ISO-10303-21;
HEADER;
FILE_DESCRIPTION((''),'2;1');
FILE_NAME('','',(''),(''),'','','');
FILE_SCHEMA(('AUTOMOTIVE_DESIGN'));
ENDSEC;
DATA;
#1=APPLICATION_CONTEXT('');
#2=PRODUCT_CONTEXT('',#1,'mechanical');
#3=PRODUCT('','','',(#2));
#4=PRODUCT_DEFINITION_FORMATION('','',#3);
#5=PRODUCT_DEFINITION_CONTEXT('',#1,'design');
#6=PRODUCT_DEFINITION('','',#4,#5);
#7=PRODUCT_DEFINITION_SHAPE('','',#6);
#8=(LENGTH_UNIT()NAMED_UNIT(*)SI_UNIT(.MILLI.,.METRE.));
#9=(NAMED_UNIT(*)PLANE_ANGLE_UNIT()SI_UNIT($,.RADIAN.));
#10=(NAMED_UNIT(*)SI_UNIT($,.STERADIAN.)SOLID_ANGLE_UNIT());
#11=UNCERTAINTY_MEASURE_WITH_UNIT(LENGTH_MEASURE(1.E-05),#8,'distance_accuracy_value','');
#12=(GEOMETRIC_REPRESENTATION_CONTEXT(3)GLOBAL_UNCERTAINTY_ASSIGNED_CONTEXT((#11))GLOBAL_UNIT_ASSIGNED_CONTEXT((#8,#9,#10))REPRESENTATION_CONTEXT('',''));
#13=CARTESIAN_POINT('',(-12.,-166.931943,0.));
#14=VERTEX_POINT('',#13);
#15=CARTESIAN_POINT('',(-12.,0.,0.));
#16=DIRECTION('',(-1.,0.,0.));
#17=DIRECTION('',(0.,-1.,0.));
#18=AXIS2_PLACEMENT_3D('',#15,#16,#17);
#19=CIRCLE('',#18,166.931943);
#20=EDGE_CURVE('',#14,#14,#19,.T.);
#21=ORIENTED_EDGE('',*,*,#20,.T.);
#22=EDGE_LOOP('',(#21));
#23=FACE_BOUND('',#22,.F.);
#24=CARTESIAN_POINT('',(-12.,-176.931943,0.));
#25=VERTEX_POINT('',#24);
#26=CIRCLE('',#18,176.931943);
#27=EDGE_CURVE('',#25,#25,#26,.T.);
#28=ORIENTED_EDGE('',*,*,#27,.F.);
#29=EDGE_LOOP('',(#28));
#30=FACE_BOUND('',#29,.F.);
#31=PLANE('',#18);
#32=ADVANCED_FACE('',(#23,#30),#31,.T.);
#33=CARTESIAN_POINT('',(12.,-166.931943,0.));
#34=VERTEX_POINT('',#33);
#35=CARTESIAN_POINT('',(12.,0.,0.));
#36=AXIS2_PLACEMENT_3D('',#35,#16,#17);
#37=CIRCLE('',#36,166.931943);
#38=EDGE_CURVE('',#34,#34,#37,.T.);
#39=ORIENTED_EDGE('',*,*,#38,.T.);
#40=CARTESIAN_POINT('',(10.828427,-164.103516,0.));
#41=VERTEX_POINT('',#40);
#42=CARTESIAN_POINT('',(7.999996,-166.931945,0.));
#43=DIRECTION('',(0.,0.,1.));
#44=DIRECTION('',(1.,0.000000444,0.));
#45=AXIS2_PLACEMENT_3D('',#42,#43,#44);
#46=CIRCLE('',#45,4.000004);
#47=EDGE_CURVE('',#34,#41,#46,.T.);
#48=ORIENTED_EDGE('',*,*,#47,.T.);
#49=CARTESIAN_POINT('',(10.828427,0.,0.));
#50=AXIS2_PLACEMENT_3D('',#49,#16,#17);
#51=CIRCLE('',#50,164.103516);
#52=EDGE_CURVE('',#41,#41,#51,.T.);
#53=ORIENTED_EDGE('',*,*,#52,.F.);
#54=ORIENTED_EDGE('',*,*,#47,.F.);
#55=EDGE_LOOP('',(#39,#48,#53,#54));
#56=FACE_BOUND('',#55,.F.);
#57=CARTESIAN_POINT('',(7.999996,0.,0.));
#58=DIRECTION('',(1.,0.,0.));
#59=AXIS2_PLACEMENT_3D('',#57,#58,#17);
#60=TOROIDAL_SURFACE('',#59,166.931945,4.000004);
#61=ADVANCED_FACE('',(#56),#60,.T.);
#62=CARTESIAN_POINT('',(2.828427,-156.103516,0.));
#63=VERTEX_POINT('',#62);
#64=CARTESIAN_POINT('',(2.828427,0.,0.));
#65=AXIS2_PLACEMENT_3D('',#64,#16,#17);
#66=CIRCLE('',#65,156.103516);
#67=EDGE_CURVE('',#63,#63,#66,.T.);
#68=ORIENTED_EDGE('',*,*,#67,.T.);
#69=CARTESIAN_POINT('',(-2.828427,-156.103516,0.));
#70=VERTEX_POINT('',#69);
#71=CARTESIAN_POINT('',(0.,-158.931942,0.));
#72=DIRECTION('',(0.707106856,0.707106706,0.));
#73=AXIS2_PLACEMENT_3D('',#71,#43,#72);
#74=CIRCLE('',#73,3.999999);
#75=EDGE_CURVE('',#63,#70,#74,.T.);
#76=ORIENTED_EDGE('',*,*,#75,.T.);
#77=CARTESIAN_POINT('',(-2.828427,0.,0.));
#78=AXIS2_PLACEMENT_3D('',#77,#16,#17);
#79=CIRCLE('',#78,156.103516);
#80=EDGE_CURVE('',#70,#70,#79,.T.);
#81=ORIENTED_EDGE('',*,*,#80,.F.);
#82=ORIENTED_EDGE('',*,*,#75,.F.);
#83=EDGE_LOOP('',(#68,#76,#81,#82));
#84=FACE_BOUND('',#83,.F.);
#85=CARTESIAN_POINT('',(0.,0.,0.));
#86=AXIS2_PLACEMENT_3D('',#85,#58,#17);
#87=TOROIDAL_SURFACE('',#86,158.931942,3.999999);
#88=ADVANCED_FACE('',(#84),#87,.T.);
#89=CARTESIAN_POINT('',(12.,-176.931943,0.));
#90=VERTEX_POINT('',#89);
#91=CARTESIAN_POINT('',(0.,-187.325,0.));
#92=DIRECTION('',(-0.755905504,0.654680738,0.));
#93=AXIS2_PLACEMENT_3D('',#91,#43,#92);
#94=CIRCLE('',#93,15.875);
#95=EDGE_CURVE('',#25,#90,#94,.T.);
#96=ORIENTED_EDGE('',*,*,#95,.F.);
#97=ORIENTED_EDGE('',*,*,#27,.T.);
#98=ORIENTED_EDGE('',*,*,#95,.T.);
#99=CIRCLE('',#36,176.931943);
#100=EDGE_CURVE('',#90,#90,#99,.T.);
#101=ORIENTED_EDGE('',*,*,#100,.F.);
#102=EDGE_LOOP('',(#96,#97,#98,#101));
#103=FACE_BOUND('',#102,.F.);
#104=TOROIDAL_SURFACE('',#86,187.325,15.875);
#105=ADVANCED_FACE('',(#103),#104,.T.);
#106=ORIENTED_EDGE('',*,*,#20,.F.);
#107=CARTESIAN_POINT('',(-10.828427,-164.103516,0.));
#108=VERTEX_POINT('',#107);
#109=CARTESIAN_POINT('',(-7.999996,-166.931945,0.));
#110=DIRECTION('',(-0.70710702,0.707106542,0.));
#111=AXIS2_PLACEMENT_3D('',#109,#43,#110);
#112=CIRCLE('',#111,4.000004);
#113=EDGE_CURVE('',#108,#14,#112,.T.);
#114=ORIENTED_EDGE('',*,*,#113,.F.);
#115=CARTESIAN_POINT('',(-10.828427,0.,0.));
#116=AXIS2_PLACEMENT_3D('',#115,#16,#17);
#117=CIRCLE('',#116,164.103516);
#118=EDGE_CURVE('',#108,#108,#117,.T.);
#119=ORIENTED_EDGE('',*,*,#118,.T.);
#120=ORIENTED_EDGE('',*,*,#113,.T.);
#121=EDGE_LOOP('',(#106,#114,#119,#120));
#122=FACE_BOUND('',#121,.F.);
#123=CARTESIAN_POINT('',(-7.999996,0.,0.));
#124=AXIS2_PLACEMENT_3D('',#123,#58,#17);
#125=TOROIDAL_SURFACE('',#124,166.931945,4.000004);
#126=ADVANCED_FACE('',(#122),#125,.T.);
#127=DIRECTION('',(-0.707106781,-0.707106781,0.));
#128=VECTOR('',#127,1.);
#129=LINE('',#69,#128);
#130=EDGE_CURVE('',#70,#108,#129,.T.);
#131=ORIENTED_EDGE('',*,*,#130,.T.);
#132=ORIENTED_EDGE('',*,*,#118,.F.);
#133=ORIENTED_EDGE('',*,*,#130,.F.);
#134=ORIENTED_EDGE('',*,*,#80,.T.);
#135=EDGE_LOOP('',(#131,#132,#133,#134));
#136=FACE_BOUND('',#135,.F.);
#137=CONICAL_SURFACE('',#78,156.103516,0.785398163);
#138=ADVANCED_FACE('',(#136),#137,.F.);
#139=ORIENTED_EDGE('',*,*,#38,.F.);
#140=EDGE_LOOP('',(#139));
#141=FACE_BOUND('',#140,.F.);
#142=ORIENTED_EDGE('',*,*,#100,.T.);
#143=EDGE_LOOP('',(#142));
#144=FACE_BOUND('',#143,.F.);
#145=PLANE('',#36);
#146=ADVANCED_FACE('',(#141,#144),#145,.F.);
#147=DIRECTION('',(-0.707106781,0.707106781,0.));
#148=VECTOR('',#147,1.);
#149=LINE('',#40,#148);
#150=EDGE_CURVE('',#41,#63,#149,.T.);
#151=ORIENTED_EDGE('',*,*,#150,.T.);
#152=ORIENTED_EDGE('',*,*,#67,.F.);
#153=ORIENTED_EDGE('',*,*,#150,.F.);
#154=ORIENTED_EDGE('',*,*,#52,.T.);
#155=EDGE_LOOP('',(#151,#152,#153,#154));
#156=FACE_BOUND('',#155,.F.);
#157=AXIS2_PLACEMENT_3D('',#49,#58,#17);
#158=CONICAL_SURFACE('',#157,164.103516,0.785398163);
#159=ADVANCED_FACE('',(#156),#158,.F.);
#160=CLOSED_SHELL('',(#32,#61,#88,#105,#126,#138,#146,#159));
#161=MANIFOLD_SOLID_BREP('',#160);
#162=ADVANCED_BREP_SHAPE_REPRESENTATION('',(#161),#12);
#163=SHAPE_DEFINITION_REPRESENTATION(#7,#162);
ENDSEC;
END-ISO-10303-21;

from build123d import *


with BuildPart() as f1:
    # F0 (on Top) → F1 (revolve)
    with BuildSketch(Plane.XY):
        with BuildLine():
            ThreePointArc((2.828427, -156.103516), (0, -154.931943), (-2.828427, -156.103516))
            Line((-2.828427, -156.103516), (-10.828427, -164.103516))
            ThreePointArc((-10.828427, -164.103516), (-11.695518, -165.40121), (-12, -166.931943))
            Line((-12, -166.931943), (-12, -176.931943))
            ThreePointArc((-12, -176.931943), (0, -203.2), (12, -176.931943))
            Line((12, -176.931943), (12, -166.931943))
            ThreePointArc((12, -166.931943), (11.695518, -165.40121), (10.828427, -164.103516))
            Line((10.828427, -164.103516), (2.828427, -156.103516))
        make_face()
    revolve(axis=Axis((-7.103204, 0, 0), (-1, 0, 0)))


solid = f1.part
